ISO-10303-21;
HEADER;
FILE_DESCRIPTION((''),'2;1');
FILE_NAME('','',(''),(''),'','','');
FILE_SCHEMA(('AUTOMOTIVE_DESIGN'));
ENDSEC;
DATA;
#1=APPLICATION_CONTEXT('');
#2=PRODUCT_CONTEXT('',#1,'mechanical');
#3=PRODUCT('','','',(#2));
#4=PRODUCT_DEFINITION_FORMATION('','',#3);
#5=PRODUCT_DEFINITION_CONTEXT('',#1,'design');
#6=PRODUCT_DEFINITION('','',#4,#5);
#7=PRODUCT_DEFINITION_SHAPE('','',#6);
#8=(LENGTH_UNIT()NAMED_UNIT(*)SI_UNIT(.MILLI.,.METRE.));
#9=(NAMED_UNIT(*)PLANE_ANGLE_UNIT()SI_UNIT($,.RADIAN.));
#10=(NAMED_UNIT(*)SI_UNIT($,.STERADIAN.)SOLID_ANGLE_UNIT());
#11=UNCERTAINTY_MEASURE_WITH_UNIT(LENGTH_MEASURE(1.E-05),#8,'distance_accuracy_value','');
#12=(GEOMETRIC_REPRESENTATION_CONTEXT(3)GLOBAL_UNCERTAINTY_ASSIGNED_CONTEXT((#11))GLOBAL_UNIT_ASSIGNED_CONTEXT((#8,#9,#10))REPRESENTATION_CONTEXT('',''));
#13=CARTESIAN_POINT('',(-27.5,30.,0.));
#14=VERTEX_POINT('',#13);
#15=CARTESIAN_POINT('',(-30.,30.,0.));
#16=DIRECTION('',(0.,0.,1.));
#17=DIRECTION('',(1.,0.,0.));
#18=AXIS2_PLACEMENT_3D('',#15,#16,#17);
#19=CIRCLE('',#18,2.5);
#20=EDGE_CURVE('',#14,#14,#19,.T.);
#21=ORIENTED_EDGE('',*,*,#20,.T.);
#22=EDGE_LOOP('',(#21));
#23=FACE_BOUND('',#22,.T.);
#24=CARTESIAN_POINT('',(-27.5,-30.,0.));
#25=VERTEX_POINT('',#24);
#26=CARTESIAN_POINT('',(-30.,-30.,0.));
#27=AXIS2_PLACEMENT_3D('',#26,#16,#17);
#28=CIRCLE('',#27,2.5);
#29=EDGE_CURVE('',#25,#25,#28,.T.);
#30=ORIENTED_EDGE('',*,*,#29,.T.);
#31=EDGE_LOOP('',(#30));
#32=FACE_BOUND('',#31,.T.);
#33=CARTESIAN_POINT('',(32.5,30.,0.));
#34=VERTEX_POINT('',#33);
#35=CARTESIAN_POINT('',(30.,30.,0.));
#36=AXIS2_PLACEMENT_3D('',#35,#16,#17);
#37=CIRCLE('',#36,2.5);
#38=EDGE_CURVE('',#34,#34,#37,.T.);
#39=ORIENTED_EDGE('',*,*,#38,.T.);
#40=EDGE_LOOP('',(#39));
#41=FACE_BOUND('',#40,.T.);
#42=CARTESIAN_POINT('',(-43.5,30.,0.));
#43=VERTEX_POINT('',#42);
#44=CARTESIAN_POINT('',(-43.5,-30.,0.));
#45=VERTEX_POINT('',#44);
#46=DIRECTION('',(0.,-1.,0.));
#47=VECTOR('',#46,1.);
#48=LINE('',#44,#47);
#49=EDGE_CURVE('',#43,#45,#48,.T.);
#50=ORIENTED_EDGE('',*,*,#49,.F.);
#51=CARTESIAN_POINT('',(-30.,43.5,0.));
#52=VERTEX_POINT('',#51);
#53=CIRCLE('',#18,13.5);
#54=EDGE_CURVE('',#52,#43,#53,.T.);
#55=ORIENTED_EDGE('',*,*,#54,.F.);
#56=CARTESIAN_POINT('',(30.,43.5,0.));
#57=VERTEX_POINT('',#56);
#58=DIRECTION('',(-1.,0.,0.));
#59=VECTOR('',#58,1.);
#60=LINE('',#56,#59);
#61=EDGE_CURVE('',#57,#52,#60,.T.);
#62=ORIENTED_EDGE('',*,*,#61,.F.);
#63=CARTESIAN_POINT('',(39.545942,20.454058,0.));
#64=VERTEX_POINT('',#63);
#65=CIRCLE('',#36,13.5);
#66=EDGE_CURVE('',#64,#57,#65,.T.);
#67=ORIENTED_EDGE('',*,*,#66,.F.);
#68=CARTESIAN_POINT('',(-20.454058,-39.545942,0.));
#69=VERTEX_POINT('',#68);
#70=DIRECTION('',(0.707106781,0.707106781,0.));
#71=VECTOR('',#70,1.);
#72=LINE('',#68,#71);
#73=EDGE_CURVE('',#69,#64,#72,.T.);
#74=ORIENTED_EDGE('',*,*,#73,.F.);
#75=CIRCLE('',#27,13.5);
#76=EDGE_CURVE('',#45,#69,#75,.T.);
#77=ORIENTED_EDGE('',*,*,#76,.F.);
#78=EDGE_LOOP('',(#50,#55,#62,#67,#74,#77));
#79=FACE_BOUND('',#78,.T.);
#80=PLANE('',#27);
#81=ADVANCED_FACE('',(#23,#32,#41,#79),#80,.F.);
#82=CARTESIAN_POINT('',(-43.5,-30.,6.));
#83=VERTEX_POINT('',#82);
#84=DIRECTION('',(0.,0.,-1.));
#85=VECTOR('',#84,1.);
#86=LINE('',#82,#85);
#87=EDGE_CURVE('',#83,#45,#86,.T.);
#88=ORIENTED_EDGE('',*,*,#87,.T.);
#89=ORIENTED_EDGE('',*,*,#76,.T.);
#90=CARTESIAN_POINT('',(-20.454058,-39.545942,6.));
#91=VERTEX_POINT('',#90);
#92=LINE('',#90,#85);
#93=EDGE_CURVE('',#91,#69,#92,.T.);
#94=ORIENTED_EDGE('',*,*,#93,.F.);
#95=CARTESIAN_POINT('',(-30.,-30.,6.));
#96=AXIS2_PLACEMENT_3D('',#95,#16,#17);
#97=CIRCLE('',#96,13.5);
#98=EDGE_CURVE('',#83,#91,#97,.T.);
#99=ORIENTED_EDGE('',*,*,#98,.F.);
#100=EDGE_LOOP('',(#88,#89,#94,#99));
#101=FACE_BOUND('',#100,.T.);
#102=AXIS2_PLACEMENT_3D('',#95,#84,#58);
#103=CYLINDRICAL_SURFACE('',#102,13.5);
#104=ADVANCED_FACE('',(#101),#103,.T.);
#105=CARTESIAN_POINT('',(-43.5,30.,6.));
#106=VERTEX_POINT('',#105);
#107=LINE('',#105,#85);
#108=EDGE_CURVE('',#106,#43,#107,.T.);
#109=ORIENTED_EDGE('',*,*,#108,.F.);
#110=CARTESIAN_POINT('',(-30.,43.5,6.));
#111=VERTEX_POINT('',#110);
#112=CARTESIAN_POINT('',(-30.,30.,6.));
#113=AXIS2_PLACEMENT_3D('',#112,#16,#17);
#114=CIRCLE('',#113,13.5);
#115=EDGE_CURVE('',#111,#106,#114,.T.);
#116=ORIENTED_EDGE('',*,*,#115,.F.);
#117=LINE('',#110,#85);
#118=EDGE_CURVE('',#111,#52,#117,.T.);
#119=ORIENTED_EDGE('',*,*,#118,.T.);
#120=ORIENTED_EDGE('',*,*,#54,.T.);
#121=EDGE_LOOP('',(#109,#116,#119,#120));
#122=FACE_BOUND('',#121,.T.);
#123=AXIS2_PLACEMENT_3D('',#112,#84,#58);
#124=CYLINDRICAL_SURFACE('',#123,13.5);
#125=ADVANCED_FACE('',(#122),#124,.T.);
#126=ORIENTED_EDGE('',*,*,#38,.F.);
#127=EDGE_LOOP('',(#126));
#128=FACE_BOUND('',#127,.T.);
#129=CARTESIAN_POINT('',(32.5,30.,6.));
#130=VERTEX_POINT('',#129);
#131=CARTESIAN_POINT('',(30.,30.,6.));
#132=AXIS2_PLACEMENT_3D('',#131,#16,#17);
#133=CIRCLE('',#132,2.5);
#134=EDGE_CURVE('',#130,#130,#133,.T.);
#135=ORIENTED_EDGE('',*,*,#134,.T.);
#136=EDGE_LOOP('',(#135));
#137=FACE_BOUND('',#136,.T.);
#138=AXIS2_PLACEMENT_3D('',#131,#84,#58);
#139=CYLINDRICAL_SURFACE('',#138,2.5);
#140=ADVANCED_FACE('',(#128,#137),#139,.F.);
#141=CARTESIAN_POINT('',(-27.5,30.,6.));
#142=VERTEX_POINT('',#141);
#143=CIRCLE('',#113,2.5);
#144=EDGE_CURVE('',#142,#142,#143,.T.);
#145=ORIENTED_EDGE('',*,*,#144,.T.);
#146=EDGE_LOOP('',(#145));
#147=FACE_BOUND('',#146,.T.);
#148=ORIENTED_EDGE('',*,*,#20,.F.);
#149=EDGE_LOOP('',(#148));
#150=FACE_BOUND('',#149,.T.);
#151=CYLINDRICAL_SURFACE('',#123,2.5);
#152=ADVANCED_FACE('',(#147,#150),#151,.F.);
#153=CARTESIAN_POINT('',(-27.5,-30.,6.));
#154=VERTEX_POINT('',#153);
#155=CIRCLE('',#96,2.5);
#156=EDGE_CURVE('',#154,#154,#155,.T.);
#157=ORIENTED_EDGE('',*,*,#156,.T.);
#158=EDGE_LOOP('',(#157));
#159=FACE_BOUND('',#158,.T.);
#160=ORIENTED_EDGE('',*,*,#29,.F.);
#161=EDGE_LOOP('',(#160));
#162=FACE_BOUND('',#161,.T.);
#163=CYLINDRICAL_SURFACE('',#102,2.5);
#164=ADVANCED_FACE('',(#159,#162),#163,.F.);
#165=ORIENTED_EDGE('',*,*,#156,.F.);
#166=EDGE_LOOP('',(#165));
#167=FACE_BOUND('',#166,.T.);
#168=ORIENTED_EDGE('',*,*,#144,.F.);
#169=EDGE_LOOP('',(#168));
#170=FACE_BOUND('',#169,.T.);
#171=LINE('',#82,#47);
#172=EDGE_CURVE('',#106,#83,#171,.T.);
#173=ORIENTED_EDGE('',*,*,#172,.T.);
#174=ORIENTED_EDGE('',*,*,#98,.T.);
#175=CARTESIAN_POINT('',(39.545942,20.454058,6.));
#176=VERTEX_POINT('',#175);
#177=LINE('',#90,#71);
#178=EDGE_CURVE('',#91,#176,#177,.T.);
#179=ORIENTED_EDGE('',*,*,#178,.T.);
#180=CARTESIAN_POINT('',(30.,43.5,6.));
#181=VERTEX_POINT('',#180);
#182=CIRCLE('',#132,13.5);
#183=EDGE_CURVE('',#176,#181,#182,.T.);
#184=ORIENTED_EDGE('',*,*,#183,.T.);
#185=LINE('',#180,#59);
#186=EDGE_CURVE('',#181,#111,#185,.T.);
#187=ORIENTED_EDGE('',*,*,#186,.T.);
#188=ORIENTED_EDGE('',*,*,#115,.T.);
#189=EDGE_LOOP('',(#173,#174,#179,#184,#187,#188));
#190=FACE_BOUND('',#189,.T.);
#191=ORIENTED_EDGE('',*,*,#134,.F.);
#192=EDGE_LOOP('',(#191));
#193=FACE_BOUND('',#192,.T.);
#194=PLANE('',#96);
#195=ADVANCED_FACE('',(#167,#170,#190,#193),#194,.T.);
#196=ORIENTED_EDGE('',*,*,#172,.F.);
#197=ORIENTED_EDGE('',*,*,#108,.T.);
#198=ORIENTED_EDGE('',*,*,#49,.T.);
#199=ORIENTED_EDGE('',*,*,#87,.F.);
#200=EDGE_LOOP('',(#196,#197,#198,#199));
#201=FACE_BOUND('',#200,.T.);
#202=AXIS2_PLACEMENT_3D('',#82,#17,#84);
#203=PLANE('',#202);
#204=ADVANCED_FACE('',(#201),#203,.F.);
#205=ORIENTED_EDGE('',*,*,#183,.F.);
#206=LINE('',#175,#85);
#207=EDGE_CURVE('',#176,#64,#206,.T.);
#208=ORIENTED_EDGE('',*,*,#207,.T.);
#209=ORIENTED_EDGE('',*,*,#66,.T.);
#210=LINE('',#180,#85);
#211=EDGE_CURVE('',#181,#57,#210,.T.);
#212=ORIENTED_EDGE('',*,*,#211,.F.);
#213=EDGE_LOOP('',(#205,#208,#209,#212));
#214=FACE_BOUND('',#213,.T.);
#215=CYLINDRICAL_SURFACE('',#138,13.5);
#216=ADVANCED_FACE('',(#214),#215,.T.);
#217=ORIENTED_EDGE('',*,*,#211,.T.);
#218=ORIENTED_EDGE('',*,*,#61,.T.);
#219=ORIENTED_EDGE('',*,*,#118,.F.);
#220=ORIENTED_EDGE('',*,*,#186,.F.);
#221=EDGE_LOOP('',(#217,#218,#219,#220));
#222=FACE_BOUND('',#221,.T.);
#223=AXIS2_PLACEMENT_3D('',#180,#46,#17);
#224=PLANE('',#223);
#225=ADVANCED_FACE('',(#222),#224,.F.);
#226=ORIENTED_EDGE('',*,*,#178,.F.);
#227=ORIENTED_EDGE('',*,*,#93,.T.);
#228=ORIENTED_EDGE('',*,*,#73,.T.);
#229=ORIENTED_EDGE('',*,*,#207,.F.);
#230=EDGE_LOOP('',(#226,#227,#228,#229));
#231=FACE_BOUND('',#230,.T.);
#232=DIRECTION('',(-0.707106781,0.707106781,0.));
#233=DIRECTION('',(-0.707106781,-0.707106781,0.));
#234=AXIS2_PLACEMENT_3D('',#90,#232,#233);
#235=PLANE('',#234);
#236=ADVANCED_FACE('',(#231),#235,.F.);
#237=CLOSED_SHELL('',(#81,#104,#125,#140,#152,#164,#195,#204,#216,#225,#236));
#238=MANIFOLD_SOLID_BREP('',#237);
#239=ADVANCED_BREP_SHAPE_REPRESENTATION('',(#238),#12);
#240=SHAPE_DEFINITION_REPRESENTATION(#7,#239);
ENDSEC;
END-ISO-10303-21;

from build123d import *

# Parameters (mm, degrees)
ESBO_O1_R                = 2.5
RESSALTO_EXTRUS_O1_DEPTH = 6


with BuildPart() as part:
    # Esboço1 → Ressalto-extrusão1 (new body)
    with BuildSketch(Plane.XY):
        with BuildLine():
            Line((30, 43.5), (-30, 43.5))
            ThreePointArc((-30, 43.5), (-39.545941546, 39.545941546), (-43.5, 30))
            Line((-43.5, 30), (-43.5, -30))
            ThreePointArc((-43.5, -30), (-35.166226337, -42.472373689), (-20.454058454, -39.545941546))
            Line((-20.454058454, -39.545941546), (39.545941546, 20.454058454))
            ThreePointArc((39.545941546, 20.454058454), (42.472373689, 35.166226337), (30, 43.5))
        make_face()
        with Locations((-30, 30)):
            Circle(ESBO_O1_R, mode=Mode.SUBTRACT)
        with Locations((-30, -30)):
            Circle(ESBO_O1_R, mode=Mode.SUBTRACT)
        with Locations((30, 30)):
            Circle(ESBO_O1_R, mode=Mode.SUBTRACT)
    extrude(amount=RESSALTO_EXTRUS_O1_DEPTH)


solid = part.part
